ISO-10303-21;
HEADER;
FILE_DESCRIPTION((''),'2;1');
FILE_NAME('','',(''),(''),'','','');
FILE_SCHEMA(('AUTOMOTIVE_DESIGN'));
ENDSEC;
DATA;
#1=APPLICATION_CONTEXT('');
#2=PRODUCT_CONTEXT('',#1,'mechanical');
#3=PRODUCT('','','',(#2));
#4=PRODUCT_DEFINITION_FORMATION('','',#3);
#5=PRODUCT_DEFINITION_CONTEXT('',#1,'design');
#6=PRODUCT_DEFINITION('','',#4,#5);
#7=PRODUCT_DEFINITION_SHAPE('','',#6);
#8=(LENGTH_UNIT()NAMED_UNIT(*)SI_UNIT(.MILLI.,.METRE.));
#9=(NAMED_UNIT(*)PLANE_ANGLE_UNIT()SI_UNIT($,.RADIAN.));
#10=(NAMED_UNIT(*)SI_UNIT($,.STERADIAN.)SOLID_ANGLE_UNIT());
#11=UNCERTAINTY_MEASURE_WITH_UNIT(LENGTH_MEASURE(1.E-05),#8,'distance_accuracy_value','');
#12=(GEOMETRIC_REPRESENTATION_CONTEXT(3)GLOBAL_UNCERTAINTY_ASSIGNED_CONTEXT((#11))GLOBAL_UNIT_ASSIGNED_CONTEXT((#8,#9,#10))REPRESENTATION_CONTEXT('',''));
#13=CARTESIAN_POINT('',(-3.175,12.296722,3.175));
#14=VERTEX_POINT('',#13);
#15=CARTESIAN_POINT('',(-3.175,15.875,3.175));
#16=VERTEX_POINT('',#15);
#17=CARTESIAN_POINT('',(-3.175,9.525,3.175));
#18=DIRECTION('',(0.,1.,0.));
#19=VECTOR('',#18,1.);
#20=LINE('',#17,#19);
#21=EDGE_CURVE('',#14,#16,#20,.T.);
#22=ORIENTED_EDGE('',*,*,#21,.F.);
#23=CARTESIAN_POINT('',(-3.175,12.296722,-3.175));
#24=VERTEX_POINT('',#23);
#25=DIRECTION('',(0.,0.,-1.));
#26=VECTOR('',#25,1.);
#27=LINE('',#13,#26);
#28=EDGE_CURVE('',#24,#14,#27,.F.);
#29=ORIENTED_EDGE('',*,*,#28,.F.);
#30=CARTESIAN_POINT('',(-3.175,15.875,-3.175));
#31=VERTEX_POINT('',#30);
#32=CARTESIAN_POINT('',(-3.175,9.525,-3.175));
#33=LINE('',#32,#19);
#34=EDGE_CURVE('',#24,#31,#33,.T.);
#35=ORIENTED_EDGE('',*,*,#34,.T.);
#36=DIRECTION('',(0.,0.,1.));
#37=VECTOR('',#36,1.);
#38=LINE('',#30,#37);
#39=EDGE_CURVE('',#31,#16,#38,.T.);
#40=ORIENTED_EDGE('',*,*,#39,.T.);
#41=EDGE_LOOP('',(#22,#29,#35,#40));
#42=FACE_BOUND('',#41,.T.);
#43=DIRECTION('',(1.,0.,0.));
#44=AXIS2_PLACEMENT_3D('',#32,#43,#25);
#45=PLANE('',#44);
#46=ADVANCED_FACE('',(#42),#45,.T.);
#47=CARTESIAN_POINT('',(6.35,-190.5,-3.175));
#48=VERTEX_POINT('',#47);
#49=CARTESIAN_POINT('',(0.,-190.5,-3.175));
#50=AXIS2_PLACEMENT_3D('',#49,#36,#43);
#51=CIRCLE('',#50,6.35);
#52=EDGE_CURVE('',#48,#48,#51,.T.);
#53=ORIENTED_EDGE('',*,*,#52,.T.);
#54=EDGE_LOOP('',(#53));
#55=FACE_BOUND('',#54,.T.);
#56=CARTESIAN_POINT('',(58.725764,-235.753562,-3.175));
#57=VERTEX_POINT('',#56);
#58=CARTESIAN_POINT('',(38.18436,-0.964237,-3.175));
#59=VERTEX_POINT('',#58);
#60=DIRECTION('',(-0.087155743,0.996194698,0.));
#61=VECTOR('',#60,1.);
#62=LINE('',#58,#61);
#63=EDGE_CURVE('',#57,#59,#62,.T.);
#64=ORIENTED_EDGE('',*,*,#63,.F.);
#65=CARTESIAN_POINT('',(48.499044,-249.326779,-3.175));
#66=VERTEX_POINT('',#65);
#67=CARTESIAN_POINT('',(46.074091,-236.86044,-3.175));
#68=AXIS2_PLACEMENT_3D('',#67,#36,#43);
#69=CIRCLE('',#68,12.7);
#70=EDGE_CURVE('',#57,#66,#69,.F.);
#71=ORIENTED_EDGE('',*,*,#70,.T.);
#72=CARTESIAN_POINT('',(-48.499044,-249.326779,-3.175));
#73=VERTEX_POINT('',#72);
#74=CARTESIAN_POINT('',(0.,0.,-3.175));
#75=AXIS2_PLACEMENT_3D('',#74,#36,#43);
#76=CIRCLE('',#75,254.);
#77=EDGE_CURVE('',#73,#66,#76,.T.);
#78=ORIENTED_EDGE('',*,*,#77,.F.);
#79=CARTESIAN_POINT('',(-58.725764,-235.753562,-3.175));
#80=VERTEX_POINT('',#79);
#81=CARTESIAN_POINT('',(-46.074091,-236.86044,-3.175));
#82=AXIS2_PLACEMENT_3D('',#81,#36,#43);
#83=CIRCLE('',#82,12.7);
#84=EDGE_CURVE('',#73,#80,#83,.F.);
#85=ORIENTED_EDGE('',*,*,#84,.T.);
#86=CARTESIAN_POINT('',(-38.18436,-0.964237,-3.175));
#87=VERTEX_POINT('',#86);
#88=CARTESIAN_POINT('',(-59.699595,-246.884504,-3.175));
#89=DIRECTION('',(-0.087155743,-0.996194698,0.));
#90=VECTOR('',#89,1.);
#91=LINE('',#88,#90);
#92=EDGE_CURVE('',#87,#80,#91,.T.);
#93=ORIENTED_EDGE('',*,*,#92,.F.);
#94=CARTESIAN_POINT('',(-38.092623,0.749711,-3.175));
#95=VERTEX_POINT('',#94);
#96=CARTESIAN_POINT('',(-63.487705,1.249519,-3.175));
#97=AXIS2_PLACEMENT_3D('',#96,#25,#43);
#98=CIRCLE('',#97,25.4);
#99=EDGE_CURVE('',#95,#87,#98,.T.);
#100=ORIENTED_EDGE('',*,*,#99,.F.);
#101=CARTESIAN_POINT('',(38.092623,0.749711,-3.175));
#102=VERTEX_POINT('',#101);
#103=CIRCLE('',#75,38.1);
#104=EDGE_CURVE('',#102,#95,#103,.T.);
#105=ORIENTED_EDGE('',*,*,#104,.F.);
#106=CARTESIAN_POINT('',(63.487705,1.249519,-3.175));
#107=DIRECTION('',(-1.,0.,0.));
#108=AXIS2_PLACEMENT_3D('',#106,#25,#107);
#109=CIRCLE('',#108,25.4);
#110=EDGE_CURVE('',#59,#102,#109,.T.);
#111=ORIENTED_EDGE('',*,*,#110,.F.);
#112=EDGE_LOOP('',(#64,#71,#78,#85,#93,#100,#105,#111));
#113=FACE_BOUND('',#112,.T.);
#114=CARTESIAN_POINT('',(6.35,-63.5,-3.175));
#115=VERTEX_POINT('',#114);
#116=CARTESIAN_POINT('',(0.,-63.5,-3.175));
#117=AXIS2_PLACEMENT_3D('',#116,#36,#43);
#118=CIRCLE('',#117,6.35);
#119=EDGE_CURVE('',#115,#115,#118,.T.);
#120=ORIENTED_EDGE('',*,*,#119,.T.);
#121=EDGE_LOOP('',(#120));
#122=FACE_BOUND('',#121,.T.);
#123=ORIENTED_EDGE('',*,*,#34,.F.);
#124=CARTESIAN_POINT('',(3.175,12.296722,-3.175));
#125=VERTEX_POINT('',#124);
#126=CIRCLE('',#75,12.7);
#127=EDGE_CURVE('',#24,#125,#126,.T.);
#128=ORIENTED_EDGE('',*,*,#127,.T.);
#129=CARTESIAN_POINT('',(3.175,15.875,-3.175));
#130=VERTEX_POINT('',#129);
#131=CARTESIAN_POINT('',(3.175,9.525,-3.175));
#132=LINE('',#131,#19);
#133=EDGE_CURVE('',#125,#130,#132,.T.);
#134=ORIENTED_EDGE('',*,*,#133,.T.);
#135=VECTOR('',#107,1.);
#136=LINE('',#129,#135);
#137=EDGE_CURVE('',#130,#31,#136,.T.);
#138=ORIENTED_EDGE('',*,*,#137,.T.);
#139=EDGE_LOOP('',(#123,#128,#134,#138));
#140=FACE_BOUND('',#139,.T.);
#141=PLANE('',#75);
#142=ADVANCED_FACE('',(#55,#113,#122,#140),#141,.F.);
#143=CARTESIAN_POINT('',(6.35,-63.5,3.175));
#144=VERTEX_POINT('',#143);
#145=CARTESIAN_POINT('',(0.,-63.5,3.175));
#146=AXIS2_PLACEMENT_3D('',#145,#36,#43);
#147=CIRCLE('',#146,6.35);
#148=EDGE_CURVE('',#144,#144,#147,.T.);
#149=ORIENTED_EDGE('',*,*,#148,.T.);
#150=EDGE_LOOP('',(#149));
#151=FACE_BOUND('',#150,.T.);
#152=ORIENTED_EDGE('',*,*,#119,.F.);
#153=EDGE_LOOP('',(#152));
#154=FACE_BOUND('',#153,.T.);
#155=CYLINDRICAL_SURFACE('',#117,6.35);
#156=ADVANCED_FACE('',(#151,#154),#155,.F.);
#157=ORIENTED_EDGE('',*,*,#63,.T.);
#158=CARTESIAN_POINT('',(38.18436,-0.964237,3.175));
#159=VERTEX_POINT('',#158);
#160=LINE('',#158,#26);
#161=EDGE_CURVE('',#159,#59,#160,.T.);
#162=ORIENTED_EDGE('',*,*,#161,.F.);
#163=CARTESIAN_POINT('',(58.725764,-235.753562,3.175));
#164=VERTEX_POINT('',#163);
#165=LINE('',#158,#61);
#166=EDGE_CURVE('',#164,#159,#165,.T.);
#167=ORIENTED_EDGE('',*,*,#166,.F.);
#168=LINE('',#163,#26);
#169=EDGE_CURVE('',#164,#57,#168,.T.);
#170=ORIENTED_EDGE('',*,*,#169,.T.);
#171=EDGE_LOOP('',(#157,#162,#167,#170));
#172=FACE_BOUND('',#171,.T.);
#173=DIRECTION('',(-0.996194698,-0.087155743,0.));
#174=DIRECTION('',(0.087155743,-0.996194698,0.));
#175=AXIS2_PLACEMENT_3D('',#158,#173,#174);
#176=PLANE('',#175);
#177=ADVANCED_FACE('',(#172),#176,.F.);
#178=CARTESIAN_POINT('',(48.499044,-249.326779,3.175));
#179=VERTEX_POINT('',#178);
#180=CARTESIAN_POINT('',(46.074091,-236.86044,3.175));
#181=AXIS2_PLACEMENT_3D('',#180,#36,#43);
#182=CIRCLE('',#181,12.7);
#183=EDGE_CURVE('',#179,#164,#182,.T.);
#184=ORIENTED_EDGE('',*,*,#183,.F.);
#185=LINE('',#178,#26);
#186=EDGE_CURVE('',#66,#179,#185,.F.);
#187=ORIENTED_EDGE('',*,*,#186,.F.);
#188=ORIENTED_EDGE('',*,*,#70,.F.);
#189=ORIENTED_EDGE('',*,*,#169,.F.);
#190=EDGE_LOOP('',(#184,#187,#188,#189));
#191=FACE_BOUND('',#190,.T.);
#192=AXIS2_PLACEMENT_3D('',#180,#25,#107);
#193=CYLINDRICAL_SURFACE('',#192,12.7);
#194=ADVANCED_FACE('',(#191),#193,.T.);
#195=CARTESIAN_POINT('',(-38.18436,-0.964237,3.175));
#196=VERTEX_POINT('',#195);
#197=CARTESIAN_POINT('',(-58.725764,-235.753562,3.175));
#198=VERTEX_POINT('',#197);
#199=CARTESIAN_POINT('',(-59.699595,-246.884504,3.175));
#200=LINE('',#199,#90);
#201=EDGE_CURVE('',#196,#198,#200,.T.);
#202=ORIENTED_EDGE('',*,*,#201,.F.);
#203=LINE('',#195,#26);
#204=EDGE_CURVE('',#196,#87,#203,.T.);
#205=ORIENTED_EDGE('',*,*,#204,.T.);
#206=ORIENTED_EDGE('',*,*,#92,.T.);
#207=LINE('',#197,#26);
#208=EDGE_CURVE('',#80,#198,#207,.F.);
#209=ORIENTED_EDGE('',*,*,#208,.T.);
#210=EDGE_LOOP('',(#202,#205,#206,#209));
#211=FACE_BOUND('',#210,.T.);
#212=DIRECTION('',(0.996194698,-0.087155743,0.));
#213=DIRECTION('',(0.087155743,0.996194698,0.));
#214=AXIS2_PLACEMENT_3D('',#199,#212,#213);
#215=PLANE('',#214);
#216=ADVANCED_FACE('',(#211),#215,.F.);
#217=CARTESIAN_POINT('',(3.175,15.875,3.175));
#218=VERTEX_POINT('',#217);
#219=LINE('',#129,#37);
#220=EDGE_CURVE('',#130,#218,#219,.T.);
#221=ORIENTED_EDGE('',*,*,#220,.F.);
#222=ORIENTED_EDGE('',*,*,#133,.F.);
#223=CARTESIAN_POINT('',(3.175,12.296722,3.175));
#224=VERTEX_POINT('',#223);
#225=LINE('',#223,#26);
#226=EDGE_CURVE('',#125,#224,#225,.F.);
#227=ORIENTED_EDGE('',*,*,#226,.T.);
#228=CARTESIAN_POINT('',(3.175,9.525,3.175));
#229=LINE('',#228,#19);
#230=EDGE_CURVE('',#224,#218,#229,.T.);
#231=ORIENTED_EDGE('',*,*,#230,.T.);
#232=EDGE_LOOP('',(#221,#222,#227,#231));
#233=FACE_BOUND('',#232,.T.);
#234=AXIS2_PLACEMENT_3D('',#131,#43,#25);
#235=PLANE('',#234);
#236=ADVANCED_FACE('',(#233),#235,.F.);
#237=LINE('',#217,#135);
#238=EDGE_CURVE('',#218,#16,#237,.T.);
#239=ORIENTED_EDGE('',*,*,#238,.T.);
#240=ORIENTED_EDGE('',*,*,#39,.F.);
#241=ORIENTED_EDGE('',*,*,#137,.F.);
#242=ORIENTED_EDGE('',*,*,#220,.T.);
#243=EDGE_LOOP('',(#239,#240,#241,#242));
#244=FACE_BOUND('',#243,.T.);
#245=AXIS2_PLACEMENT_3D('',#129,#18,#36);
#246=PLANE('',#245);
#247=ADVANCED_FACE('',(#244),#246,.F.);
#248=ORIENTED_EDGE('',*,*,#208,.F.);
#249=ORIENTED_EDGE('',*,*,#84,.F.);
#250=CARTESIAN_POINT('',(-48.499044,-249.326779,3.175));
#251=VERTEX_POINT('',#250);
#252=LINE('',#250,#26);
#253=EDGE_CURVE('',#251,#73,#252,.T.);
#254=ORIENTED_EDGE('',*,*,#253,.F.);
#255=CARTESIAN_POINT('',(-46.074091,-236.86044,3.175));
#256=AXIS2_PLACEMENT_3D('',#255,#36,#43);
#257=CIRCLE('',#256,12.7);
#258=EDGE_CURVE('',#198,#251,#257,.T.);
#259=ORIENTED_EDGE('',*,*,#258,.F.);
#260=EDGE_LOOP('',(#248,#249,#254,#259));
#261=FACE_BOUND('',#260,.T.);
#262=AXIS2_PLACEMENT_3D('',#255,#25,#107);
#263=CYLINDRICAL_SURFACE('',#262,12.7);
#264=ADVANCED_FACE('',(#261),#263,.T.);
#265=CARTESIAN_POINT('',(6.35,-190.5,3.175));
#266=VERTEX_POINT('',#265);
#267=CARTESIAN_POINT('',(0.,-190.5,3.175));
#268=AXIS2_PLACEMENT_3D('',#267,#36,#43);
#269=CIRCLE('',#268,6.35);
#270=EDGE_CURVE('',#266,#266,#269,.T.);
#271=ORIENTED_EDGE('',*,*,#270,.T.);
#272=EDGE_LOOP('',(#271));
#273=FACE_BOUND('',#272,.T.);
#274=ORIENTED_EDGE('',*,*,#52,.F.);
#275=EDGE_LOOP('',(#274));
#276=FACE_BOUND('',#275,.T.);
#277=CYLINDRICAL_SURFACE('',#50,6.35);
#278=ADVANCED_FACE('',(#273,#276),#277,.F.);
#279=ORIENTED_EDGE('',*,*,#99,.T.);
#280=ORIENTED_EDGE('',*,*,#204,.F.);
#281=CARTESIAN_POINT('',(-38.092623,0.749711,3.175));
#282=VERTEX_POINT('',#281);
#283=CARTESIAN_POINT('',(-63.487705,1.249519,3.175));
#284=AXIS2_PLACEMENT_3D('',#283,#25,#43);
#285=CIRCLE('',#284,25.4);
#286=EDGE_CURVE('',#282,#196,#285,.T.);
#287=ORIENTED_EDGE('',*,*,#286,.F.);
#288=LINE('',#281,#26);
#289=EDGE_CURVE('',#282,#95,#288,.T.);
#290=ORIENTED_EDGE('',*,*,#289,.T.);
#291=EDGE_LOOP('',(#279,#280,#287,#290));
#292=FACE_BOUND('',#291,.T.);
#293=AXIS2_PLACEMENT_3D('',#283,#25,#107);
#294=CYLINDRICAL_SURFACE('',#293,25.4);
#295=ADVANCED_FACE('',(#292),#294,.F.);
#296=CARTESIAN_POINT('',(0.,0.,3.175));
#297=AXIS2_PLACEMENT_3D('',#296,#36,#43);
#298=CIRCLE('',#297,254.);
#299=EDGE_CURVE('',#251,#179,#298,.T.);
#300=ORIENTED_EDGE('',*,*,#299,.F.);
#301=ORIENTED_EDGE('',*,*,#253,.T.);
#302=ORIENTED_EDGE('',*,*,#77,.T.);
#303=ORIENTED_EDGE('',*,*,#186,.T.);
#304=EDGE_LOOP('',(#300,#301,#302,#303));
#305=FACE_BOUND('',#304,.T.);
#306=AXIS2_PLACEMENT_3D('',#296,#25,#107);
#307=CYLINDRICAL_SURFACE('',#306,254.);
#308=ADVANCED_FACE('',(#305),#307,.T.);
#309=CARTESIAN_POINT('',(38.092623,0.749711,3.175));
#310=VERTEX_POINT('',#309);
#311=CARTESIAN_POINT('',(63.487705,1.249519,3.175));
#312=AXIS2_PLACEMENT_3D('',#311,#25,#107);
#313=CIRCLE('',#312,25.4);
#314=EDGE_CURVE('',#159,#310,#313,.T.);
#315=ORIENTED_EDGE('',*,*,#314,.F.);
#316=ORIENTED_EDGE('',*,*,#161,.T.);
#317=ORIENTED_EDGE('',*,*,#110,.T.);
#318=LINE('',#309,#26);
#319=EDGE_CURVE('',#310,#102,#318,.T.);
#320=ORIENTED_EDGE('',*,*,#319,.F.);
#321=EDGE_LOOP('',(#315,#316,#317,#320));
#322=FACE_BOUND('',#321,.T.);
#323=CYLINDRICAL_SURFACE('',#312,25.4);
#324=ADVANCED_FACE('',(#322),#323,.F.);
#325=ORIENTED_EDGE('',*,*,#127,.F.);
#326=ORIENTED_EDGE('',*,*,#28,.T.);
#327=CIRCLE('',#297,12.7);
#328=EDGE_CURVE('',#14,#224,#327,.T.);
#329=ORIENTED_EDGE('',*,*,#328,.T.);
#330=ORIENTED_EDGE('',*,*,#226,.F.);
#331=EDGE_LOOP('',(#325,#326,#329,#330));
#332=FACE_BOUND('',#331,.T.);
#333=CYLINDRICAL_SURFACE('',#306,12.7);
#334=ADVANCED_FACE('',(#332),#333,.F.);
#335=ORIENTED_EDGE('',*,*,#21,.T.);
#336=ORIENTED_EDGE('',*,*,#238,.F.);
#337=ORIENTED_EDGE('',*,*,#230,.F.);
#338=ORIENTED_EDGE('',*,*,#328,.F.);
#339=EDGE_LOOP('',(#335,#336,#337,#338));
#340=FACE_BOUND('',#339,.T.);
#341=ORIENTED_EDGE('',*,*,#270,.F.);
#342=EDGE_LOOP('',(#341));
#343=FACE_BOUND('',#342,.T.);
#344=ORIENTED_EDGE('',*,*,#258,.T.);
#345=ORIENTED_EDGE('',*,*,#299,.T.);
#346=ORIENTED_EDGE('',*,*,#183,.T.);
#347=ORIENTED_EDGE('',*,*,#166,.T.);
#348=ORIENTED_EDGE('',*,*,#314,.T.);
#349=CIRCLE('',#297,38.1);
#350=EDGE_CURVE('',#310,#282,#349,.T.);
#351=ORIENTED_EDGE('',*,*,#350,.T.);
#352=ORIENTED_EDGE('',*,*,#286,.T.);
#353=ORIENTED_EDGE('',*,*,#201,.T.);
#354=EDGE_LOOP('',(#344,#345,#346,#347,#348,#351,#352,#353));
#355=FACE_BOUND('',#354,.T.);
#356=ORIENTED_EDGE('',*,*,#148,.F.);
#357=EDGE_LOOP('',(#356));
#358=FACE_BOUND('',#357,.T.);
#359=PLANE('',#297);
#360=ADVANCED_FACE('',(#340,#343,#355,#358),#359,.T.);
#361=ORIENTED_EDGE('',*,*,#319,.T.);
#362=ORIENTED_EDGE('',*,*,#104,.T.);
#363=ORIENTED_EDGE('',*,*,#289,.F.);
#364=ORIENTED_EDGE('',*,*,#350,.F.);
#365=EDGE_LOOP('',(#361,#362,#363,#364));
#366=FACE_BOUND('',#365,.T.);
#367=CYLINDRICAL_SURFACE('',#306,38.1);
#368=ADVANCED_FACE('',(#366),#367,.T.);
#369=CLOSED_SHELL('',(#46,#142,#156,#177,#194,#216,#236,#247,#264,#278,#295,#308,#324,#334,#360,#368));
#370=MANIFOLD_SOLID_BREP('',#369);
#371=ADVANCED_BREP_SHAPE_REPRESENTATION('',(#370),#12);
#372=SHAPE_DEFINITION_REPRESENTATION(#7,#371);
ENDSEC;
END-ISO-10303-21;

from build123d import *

# Parameters (mm, degrees)
SKETCH1_R               = 12.7
BOSS_EXTRUDE1_DEPTH     = 3.175
SKETCH8_W               = 6.35
SKETCH8_H               = 6.35
CUT_EXTRUDE1_DEPTH      = 4.175
CUT_EXTRUDE1_DEPTH_BACK = 4.175
SKETCH9_R               = 6.35
CUT_EXTRUDE2_DEPTH      = 4.175
CUT_EXTRUDE2_DEPTH_BACK = 4.175
FILLET1_R               = 12.7


with BuildPart() as part:
    # Sketch1 → Boss-Extrude1 (new body, symmetric)
    with BuildSketch(Plane.XY):
        with BuildLine():
            Line((-59.699595301, -246.884504011), (-38.184359795, -0.964236874))
            ThreePointArc((-38.184359795, -0.964236874), (-38.124009824, -0.108037848), (-38.092623076, 0.749711395))
            ThreePointArc((-38.092623076, 0.749711395), (0, 38.1), (38.092623076, 0.749711395))
            ThreePointArc((38.092623076, 0.749711395), (38.124009824, -0.108037848), (38.184359795, -0.964236874))
            Line((38.184359795, -0.964236874), (59.699595301, -246.884504011))
            ThreePointArc((59.699595301, -246.884504011), (0, -254), (-59.699595301, -246.884504011))
        make_face()
        Circle(SKETCH1_R, mode=Mode.SUBTRACT)
    extrude(amount=BOSS_EXTRUDE1_DEPTH, both=True)

    # Sketch8 → Cut-Extrude1 (cut, two sides)
    with BuildSketch(Plane.XY) as cut_extrude1_sk:
        with Locations((0, 12.7)):
            Rectangle(SKETCH8_W, SKETCH8_H)
    extrude(amount=CUT_EXTRUDE1_DEPTH, mode=Mode.SUBTRACT)
    extrude(cut_extrude1_sk.sketch, amount=-CUT_EXTRUDE1_DEPTH_BACK, mode=Mode.SUBTRACT)

    # Sketch9 → Cut-Extrude2 (cut, two sides)
    with BuildSketch(Plane.XY) as cut_extrude2_sk:
        with Locations((0, -63.5)):
            Circle(SKETCH9_R)
        with Locations((0, -190.5)):
            Circle(SKETCH9_R)
    extrude(amount=CUT_EXTRUDE2_DEPTH, mode=Mode.SUBTRACT)
    extrude(cut_extrude2_sk.sketch, amount=-CUT_EXTRUDE2_DEPTH_BACK, mode=Mode.SUBTRACT)

    # Fillet1
    fillet1_edges = [part.edges().sort_by_distance(p)[0] for p in [
        (-59.699595301, -246.884504011, 0),
        (59.699595301, -246.884504011, 0),
    ]]
    fillet(fillet1_edges, radius=FILLET1_R)


solid = part.part
